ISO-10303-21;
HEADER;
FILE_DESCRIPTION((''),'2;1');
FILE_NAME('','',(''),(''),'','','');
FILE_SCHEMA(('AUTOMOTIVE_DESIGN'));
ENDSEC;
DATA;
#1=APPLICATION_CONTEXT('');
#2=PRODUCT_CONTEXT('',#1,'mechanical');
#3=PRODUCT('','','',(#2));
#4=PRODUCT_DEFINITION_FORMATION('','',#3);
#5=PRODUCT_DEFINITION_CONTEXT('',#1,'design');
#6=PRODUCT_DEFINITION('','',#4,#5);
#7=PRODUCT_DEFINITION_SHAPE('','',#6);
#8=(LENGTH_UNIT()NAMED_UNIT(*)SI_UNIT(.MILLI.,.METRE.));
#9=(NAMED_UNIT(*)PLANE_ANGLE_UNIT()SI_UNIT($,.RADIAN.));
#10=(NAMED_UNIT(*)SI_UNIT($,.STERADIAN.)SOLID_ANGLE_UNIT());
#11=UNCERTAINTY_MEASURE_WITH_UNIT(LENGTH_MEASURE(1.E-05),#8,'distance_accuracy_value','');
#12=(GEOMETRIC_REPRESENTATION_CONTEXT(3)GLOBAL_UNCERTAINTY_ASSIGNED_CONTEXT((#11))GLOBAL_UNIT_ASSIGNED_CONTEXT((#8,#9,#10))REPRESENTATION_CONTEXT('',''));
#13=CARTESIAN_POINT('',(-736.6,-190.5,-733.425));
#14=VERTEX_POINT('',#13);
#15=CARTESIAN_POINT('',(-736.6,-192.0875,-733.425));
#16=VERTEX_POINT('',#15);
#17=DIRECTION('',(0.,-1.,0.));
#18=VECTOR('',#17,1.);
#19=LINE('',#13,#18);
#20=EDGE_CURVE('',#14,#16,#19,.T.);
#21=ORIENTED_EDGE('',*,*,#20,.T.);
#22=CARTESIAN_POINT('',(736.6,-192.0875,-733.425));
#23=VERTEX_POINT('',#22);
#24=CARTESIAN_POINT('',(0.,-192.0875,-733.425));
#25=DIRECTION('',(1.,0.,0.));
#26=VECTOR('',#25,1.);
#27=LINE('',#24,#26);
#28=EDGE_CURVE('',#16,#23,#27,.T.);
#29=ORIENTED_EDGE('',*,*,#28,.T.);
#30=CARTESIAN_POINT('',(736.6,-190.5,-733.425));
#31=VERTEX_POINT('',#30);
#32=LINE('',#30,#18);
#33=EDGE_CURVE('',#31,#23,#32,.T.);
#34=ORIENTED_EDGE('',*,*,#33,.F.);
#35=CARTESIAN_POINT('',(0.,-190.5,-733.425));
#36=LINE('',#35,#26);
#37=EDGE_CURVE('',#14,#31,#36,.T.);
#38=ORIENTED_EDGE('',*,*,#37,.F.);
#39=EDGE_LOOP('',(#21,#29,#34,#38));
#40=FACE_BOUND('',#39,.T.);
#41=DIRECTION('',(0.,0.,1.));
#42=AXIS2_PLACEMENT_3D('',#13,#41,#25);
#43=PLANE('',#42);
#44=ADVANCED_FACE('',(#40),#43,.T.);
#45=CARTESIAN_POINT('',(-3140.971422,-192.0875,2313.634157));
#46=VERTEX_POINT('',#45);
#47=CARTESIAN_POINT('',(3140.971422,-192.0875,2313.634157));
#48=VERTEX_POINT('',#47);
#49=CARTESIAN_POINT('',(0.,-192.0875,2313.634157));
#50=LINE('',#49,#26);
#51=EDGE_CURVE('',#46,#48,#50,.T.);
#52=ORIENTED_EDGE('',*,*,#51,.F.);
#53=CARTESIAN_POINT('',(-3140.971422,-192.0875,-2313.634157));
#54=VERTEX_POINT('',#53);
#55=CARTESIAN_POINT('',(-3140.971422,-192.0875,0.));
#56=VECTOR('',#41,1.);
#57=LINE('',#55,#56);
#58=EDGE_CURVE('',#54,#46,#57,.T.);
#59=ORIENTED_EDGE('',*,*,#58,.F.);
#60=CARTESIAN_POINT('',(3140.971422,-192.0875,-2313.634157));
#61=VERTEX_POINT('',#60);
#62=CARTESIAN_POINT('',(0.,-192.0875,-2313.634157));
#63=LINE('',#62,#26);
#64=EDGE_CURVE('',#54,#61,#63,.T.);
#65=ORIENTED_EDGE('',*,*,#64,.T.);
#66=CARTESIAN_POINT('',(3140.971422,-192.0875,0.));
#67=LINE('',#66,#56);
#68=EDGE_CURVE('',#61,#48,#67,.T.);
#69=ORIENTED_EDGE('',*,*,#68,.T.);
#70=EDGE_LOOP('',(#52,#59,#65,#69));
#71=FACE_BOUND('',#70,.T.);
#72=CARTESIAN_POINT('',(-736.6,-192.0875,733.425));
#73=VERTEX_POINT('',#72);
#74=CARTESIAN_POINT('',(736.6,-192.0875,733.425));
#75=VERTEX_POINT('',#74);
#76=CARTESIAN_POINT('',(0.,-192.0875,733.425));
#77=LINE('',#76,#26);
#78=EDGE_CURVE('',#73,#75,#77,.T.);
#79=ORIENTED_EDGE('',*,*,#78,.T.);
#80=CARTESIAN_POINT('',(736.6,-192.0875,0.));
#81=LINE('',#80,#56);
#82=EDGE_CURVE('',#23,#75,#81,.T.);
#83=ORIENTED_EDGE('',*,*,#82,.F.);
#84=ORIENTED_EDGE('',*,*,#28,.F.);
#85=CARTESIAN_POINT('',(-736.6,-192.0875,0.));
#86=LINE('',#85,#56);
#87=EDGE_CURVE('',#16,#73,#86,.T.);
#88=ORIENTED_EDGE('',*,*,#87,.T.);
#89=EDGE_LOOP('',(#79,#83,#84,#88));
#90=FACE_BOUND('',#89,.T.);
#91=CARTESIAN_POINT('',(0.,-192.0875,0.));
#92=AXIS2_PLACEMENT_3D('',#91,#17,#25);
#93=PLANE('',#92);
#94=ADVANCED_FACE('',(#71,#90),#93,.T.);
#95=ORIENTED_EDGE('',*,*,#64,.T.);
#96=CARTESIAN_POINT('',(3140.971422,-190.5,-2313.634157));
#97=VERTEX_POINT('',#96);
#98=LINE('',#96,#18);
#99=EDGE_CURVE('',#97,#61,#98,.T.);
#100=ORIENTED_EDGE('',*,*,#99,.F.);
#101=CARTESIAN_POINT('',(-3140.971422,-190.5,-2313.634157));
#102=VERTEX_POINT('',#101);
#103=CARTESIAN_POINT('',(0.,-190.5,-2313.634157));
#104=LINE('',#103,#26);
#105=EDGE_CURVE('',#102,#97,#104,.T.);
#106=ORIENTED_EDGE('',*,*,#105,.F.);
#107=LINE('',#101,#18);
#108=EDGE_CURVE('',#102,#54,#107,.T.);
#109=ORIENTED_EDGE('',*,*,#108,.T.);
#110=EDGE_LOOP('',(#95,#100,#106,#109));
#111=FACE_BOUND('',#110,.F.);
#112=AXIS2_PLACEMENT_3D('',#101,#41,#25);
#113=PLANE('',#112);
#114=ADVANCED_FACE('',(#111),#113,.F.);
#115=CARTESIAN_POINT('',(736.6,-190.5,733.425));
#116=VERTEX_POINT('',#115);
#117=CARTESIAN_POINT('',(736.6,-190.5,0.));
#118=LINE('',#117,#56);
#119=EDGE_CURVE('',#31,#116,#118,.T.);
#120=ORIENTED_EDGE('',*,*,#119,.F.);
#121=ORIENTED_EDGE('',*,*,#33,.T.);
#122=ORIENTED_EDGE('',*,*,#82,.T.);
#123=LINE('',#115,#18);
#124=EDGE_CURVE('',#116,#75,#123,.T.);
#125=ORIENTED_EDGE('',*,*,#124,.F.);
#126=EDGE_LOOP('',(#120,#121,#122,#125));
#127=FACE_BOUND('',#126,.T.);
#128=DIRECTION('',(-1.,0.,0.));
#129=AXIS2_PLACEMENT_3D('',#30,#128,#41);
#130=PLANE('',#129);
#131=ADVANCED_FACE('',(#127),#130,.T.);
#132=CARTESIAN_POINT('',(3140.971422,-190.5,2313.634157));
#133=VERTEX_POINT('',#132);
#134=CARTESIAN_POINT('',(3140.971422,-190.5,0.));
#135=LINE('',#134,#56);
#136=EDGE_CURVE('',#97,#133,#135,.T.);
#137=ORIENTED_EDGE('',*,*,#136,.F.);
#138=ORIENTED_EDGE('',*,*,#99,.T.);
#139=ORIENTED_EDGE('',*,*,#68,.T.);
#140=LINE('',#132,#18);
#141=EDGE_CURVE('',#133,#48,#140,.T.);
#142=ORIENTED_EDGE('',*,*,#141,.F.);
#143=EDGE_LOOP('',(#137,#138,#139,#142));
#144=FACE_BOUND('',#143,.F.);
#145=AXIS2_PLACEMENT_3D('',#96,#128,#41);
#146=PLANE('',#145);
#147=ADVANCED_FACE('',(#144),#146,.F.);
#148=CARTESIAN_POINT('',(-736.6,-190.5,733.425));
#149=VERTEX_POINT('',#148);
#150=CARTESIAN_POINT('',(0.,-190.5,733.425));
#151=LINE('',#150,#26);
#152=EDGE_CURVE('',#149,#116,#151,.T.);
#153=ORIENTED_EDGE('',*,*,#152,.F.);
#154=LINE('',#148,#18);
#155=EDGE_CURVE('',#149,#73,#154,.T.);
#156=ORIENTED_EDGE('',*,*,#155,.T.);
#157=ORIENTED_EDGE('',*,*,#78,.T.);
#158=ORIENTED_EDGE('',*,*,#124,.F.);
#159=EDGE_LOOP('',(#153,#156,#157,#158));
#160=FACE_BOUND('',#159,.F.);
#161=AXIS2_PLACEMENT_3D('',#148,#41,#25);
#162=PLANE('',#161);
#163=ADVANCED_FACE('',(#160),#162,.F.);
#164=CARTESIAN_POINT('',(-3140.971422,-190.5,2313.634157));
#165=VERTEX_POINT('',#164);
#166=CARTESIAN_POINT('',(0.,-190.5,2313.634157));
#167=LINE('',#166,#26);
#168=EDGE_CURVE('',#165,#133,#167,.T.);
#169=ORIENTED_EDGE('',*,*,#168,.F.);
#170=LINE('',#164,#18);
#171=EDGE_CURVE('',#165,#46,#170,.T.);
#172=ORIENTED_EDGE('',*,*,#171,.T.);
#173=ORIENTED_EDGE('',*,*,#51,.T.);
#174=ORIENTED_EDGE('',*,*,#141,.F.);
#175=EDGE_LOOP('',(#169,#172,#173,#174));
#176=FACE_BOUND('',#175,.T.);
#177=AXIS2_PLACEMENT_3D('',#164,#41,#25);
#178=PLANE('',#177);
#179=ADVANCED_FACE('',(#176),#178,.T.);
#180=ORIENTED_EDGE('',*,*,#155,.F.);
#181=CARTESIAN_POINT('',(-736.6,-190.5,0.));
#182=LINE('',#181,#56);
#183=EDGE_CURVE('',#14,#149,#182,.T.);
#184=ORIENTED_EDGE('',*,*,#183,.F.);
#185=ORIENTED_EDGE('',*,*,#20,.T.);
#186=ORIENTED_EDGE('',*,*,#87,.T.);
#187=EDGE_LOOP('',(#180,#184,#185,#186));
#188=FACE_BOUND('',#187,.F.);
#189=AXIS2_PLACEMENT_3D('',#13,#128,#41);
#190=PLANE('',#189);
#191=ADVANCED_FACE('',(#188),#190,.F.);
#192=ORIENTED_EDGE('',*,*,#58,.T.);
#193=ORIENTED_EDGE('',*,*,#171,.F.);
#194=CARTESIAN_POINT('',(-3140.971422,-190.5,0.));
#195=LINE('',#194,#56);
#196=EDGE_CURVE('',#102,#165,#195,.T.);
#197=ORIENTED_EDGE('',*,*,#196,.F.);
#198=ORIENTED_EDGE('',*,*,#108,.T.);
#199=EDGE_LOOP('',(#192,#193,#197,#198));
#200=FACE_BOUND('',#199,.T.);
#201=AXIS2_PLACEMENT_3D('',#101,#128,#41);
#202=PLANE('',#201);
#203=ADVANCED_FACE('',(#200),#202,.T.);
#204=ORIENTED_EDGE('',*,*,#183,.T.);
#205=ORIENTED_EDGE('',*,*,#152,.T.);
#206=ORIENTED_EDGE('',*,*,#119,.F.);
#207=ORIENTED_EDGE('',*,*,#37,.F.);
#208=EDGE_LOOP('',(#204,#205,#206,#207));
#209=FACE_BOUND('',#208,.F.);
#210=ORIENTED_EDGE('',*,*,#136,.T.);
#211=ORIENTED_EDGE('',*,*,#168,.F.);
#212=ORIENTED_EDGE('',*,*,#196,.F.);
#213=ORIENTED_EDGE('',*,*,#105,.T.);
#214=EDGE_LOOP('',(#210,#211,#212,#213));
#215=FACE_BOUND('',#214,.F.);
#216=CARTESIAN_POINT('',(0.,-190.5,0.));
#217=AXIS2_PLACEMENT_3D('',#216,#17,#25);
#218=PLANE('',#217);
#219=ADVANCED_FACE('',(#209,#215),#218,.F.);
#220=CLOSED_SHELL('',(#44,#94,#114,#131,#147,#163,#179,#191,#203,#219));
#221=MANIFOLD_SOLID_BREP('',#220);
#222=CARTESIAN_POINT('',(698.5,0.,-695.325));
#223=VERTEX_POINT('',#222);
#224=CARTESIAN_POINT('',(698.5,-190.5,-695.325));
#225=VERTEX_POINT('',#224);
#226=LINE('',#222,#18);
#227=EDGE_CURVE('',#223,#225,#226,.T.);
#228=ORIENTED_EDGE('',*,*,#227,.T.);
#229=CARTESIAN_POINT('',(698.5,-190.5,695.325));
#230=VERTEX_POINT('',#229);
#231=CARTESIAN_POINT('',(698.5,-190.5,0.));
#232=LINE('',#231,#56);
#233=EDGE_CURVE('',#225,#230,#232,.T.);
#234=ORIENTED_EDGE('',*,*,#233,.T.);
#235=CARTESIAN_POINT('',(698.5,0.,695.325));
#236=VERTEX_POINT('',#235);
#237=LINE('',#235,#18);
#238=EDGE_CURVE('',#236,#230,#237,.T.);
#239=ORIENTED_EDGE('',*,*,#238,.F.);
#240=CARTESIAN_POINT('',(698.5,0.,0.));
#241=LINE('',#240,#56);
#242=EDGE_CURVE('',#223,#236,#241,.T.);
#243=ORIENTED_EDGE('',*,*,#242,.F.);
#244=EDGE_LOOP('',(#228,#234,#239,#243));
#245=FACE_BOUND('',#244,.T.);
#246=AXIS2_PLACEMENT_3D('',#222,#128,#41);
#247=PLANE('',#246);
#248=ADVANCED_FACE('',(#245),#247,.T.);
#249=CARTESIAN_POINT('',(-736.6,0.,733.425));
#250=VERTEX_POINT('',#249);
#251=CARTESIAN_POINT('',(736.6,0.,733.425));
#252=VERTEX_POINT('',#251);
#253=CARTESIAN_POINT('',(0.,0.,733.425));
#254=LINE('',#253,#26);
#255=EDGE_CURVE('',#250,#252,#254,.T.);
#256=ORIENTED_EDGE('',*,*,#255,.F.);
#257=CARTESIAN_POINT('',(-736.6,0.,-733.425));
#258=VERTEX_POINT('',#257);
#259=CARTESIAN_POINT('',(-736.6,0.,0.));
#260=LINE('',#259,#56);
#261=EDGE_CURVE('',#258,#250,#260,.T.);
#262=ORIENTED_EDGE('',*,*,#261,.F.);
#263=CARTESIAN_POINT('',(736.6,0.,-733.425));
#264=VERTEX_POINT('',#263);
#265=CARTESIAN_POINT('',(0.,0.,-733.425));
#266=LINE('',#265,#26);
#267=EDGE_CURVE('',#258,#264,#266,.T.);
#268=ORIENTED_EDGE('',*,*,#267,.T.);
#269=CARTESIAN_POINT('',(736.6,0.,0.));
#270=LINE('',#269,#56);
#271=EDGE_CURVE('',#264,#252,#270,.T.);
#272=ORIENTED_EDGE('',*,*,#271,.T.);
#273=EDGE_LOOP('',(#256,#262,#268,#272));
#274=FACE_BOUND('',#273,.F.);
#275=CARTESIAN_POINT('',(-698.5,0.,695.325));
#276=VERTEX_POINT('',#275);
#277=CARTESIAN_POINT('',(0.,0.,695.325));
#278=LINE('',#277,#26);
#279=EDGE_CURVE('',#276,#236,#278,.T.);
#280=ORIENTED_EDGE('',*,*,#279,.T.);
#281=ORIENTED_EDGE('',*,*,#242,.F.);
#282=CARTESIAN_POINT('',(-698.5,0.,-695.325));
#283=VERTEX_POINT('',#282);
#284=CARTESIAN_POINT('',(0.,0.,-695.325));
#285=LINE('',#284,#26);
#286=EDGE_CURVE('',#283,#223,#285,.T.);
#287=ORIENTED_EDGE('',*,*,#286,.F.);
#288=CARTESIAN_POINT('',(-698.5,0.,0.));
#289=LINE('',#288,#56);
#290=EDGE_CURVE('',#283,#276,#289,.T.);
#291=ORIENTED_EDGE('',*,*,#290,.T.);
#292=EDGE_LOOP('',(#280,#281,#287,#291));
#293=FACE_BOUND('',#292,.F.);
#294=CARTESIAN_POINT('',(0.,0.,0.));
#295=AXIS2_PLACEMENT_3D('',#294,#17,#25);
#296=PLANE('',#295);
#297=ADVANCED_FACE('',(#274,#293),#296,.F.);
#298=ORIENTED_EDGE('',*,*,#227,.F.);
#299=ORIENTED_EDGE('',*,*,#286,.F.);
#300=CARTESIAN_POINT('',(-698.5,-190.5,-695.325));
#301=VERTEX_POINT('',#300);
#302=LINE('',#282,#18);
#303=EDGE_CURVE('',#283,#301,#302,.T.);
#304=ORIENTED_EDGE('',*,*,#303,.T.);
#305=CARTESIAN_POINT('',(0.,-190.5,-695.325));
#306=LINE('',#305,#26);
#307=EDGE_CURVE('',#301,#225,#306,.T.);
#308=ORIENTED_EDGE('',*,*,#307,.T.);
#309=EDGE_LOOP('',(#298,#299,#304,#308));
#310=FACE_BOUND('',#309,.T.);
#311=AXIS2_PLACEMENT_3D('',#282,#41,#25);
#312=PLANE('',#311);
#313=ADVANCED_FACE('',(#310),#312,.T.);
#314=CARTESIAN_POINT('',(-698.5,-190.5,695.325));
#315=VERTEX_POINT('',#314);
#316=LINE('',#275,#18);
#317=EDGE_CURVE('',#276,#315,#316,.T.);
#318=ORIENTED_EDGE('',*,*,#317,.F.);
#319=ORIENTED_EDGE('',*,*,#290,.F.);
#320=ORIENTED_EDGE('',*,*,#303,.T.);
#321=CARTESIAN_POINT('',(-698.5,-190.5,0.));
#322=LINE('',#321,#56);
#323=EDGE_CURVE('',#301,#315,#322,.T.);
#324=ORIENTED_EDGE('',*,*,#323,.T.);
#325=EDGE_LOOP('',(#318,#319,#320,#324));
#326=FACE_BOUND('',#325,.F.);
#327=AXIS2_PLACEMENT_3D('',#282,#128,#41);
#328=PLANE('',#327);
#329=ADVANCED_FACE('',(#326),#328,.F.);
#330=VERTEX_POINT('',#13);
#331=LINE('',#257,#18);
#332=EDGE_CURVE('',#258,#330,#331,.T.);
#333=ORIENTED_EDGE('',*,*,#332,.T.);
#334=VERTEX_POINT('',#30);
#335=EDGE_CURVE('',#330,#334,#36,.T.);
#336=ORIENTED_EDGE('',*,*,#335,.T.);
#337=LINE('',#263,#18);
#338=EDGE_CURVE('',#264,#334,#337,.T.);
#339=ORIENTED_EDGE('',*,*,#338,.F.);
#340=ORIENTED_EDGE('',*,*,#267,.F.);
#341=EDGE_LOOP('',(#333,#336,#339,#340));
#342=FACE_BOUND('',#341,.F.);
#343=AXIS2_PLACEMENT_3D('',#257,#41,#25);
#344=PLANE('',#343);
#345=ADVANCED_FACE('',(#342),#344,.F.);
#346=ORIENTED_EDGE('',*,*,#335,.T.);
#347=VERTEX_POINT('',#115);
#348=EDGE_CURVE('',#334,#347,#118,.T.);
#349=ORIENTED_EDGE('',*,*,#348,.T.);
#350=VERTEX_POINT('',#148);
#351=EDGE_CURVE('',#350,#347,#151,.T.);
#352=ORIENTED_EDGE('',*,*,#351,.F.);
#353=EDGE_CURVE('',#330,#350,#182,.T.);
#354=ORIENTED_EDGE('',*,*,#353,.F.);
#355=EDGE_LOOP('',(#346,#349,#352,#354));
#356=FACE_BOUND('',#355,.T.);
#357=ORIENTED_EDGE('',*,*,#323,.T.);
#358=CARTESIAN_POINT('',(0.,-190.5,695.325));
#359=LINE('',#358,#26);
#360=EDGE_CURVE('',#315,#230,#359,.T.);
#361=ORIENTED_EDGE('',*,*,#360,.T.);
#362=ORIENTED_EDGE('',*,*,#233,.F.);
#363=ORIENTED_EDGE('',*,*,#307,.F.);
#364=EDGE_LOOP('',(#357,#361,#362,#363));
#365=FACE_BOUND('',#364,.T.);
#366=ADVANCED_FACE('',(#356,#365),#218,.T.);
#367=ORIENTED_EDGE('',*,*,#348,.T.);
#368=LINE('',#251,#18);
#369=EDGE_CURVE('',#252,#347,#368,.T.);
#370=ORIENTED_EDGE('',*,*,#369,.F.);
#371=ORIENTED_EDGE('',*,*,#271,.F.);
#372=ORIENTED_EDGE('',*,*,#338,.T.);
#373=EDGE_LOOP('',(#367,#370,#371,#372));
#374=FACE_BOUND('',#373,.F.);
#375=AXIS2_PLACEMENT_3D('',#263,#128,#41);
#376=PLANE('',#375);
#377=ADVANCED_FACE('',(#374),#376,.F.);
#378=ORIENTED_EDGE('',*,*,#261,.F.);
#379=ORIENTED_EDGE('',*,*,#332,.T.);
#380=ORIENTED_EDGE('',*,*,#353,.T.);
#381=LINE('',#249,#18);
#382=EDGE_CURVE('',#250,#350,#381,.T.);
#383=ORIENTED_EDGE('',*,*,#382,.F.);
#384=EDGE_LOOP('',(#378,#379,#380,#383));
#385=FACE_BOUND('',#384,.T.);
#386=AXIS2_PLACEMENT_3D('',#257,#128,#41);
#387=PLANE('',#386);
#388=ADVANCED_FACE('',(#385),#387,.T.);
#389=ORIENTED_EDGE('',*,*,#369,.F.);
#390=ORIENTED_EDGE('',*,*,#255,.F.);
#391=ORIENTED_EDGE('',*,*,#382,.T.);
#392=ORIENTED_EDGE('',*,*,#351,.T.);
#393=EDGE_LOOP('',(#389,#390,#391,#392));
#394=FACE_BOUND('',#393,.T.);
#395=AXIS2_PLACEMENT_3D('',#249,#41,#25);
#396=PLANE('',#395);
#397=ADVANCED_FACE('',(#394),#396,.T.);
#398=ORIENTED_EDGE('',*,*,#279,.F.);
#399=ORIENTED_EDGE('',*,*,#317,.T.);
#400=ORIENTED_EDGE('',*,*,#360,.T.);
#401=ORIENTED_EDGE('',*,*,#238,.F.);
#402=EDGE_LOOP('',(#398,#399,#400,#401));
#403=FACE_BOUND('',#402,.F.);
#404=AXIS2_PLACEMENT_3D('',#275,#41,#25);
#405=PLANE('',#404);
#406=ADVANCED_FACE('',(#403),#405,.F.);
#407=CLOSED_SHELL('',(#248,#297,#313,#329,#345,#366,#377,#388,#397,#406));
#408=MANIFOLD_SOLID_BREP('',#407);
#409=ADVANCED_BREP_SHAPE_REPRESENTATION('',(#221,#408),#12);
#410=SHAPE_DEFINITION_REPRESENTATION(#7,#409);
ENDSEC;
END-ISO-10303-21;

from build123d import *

# Parameters (mm, degrees)
F0_W     = 1473.2
F0_H     = 1466.85
F0_W_2   = 1397
F0_H_2   = 1390.65
F1_DEPTH = 190.5
F2_W     = 6281.9428443909
F2_H     = 4627.2683143616
F2_W_2   = 1473.2
F2_H_2   = 1466.85
F3_DEPTH = 1.5875


with BuildPart() as f1:
    # F0 (on Front) → F1 (new body)
    with BuildSketch(Plane.XZ):
        Rectangle(F0_W, F0_H)
        Rectangle(F0_W_2, F0_H_2, mode=Mode.SUBTRACT)
    extrude(amount=F1_DEPTH)


with BuildPart() as f3:
    # F2 (on face) → F3 (new body)
    with BuildSketch(Plane.XZ.offset(190.5)):
        Rectangle(F2_W, F2_H)
        Rectangle(F2_W_2, F2_H_2, mode=Mode.SUBTRACT)
    extrude(amount=F3_DEPTH)


solid = Compound([f1.part, f3.part])
